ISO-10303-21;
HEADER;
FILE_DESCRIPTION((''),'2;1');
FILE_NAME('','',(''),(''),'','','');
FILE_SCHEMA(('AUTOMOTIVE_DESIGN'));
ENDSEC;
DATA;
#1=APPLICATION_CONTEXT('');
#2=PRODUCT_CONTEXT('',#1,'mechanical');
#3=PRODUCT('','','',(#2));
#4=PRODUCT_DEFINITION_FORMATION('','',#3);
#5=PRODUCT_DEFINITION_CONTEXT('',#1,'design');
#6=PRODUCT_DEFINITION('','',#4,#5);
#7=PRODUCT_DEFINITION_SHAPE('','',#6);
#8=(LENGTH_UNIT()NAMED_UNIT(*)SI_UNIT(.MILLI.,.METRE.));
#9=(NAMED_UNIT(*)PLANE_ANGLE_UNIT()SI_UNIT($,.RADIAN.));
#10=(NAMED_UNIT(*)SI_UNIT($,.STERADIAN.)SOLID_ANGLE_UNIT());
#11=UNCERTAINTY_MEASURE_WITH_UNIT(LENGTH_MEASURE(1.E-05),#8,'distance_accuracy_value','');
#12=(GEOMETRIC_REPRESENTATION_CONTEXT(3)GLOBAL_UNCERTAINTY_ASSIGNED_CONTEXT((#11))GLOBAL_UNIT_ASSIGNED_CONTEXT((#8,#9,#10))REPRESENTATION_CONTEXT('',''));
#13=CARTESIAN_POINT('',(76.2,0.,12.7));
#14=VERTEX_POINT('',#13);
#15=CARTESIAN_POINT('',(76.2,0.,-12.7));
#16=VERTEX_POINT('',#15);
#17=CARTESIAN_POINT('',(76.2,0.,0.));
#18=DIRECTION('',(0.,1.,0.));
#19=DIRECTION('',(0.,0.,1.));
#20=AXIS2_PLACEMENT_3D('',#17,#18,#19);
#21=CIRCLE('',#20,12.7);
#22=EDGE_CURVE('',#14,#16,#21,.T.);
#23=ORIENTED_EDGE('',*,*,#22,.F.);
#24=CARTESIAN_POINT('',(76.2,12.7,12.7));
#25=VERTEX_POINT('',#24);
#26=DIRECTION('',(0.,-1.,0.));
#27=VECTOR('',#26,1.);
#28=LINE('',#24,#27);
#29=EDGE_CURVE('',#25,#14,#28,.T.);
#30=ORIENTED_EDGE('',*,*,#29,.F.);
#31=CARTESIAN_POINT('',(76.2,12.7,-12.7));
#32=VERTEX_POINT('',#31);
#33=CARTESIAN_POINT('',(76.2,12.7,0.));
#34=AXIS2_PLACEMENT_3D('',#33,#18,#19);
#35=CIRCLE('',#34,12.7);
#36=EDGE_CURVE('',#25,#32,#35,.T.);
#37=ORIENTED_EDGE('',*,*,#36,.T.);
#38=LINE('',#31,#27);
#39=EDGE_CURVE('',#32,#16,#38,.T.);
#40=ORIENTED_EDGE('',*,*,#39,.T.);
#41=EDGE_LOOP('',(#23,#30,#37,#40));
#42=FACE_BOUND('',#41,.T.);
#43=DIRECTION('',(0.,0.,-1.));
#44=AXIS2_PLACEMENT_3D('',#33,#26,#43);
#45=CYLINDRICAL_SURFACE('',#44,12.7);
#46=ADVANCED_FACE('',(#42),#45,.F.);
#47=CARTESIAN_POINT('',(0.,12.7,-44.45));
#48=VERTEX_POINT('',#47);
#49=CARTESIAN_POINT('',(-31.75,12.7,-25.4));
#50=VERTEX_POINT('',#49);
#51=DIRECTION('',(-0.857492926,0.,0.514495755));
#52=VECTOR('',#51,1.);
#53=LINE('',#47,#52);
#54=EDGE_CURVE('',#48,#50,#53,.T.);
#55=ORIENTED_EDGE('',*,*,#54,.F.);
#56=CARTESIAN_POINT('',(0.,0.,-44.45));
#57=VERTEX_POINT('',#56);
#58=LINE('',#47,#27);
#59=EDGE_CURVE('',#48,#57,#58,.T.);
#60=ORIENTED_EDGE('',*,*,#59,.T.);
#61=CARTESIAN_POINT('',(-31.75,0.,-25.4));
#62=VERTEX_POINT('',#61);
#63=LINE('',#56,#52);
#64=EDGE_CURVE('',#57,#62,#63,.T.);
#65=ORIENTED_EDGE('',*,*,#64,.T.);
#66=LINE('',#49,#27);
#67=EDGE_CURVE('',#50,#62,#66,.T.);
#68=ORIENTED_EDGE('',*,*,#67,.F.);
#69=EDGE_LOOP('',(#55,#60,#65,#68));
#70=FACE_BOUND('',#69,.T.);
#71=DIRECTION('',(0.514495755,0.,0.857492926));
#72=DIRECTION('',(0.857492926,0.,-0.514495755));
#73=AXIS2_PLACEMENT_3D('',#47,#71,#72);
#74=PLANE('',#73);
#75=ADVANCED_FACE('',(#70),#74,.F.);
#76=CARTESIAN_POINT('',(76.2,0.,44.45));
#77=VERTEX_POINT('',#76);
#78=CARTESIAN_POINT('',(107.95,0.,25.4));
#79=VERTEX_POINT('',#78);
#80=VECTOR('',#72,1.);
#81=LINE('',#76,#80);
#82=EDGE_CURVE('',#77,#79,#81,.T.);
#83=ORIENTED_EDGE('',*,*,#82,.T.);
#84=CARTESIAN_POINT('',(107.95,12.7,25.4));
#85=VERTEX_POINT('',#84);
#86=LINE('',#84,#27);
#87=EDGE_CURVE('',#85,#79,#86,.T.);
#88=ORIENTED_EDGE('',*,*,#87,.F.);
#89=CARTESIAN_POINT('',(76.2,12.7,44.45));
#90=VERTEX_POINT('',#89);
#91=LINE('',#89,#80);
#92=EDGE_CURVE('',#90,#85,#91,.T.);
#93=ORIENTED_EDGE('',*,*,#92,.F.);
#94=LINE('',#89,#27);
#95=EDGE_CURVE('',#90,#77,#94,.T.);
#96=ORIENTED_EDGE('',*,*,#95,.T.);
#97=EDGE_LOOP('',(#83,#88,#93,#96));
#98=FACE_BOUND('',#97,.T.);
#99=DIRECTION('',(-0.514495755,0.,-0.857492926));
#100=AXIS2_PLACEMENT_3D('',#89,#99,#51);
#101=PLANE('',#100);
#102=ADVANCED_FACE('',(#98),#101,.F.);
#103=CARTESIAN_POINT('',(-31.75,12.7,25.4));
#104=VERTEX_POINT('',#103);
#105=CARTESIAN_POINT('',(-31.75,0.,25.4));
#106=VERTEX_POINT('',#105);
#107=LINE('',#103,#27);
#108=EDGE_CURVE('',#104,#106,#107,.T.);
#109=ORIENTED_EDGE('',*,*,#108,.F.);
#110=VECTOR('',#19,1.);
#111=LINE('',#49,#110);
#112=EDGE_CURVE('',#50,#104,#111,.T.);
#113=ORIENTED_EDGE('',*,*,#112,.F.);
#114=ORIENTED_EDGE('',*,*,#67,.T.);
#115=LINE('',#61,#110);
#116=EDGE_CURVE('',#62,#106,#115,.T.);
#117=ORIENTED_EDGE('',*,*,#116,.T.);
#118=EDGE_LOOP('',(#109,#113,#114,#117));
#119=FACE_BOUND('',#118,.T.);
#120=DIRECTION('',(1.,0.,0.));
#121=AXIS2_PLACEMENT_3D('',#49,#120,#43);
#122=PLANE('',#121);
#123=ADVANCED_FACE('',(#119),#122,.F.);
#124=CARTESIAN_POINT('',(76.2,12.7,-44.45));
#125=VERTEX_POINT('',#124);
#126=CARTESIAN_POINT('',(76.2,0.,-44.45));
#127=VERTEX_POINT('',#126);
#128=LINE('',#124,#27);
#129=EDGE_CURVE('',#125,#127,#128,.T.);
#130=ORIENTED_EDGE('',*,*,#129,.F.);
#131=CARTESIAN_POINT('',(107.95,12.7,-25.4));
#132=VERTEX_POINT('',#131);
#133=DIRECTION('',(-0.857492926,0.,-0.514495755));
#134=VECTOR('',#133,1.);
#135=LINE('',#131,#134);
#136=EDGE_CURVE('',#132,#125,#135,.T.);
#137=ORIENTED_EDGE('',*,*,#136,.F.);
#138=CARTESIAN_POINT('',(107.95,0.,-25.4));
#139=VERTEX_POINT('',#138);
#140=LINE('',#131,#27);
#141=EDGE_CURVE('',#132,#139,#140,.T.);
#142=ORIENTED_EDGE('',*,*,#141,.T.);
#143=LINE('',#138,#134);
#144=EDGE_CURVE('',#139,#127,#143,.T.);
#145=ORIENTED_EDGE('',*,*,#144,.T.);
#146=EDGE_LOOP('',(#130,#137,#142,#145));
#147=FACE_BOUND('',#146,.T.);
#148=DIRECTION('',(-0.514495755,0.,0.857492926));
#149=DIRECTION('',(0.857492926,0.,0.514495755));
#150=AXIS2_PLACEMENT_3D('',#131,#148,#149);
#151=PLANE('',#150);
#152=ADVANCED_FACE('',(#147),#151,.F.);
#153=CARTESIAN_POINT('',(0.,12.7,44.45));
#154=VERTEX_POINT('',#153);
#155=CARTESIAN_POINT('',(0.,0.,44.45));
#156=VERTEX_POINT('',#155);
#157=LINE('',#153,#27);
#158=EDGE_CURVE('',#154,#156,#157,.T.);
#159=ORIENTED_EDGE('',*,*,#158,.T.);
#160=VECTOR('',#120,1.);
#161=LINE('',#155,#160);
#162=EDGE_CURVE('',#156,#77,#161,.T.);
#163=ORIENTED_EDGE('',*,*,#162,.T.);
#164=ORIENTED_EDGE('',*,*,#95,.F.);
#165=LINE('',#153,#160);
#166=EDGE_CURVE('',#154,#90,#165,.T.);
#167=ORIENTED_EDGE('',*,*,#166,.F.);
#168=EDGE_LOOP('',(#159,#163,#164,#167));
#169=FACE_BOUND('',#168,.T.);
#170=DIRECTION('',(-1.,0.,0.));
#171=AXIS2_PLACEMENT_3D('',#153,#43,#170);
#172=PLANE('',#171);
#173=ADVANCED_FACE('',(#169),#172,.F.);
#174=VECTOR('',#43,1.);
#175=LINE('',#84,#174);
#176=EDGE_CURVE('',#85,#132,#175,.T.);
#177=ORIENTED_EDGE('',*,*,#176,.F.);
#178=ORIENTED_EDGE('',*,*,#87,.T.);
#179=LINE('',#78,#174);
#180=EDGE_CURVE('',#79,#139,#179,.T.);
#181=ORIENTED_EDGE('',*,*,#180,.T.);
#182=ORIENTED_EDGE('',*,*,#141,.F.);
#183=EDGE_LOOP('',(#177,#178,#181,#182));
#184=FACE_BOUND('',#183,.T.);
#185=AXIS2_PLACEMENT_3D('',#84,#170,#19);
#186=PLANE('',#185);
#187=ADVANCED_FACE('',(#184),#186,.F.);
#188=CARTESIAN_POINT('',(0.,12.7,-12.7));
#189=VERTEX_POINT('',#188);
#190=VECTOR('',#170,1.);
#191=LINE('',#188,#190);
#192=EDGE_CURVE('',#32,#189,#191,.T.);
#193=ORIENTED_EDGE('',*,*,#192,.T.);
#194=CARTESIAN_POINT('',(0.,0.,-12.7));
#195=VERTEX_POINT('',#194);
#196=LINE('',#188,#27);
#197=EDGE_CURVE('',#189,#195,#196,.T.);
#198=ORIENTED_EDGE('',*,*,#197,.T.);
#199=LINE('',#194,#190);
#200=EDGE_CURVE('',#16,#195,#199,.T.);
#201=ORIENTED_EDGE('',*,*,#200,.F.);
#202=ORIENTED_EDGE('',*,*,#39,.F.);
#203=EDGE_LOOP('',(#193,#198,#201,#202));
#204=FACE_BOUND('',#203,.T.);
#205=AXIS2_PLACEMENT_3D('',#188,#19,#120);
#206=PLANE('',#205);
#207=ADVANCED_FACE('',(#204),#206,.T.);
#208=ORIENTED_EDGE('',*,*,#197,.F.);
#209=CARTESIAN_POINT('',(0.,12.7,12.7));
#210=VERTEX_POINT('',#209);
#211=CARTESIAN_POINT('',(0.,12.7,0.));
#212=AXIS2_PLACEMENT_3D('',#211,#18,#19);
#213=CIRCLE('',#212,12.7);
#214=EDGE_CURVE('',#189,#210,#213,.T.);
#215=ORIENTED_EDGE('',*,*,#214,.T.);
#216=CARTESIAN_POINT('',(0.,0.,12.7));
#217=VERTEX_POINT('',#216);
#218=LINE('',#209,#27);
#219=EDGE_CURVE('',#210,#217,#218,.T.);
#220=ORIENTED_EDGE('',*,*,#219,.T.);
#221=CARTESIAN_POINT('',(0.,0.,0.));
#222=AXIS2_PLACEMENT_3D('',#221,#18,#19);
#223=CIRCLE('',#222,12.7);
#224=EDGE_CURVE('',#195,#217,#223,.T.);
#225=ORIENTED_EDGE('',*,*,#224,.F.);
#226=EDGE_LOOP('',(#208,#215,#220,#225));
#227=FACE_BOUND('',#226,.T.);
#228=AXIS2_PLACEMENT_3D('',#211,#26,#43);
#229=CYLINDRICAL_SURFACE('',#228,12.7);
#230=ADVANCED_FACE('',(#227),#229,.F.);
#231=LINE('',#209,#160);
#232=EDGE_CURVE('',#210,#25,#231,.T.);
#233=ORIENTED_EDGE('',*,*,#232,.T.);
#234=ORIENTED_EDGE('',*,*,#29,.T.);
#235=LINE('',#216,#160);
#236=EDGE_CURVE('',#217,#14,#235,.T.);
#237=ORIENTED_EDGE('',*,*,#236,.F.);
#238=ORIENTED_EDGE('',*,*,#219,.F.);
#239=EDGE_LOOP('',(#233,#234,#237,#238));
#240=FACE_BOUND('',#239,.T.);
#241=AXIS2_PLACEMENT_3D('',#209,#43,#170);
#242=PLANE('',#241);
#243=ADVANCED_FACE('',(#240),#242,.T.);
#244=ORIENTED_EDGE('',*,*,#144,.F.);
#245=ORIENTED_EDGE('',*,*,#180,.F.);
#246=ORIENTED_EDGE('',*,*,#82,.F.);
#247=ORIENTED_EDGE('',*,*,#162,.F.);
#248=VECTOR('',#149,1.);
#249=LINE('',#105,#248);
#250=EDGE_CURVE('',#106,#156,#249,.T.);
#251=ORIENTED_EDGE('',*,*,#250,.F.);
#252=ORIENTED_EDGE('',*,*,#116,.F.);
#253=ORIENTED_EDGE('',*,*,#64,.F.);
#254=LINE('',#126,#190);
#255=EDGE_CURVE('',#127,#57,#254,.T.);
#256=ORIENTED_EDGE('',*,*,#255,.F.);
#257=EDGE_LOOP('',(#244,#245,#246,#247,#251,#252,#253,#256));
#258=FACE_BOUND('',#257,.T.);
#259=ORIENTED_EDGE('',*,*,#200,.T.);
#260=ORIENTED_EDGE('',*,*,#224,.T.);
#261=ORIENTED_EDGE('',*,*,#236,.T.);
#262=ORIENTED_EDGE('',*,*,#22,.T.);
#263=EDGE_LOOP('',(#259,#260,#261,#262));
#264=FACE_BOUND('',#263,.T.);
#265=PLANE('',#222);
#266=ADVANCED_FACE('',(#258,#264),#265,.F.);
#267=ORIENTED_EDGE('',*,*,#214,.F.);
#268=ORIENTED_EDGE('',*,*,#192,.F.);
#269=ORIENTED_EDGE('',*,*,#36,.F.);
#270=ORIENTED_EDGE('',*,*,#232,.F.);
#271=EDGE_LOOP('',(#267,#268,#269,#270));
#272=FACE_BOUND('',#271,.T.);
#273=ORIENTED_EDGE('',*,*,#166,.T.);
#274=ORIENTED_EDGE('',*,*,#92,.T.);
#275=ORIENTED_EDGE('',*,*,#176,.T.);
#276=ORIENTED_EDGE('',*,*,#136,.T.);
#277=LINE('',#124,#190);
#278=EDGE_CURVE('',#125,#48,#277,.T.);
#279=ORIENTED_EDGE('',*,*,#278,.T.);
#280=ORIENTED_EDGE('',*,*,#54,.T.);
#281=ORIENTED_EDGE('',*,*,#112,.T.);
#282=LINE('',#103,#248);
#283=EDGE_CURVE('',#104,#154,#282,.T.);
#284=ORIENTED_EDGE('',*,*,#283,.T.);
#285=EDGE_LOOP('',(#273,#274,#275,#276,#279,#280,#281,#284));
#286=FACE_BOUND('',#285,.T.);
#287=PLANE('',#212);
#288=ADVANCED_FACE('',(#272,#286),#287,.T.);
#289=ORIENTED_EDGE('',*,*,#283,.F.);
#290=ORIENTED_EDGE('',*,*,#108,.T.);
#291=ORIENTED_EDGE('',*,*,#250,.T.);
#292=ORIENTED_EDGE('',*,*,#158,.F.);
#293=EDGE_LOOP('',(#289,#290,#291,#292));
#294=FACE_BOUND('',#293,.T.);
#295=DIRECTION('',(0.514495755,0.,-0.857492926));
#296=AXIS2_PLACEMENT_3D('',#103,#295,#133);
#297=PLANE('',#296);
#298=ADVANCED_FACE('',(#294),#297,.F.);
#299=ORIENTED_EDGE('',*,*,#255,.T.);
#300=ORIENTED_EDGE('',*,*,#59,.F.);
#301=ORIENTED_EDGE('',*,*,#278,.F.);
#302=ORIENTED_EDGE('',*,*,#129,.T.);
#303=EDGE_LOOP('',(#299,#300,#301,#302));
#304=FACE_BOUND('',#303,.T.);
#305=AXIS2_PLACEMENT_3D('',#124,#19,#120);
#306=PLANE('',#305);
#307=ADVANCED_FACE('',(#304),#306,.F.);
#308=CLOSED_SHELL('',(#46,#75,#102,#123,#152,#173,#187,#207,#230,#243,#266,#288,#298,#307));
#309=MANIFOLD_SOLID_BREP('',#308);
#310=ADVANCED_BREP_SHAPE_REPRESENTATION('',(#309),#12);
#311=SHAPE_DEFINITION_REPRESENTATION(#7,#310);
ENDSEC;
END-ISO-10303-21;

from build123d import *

# Parameters (mm, degrees)
BOSS_EXTRUDE1_DEPTH = 12.7


with BuildPart() as part:
    # Sketch2 → Boss-Extrude1 (new body)
    with BuildSketch(Plane(origin=(0, 0, 0), x_dir=(1, 0, 0), z_dir=(0, 1, 0))):
        Polygon((0, 44.45), (-31.75, 25.4), (-31.75, -25.4), (0, -44.45), (76.2, -44.45), (107.95, -25.4), (107.95, 25.4), (76.2, 44.45), align=None)
        with BuildLine():
            Line((0, 12.7), (76.2, 12.7))
            ThreePointArc((76.2, 12.7), (88.9, 0), (76.2, -12.7))
            Line((76.2, -12.7), (0, -12.7))
            ThreePointArc((0, -12.7), (-12.7, 0), (0, 12.7))
        make_face(mode=Mode.SUBTRACT)
    extrude(amount=BOSS_EXTRUDE1_DEPTH)


solid = part.part
